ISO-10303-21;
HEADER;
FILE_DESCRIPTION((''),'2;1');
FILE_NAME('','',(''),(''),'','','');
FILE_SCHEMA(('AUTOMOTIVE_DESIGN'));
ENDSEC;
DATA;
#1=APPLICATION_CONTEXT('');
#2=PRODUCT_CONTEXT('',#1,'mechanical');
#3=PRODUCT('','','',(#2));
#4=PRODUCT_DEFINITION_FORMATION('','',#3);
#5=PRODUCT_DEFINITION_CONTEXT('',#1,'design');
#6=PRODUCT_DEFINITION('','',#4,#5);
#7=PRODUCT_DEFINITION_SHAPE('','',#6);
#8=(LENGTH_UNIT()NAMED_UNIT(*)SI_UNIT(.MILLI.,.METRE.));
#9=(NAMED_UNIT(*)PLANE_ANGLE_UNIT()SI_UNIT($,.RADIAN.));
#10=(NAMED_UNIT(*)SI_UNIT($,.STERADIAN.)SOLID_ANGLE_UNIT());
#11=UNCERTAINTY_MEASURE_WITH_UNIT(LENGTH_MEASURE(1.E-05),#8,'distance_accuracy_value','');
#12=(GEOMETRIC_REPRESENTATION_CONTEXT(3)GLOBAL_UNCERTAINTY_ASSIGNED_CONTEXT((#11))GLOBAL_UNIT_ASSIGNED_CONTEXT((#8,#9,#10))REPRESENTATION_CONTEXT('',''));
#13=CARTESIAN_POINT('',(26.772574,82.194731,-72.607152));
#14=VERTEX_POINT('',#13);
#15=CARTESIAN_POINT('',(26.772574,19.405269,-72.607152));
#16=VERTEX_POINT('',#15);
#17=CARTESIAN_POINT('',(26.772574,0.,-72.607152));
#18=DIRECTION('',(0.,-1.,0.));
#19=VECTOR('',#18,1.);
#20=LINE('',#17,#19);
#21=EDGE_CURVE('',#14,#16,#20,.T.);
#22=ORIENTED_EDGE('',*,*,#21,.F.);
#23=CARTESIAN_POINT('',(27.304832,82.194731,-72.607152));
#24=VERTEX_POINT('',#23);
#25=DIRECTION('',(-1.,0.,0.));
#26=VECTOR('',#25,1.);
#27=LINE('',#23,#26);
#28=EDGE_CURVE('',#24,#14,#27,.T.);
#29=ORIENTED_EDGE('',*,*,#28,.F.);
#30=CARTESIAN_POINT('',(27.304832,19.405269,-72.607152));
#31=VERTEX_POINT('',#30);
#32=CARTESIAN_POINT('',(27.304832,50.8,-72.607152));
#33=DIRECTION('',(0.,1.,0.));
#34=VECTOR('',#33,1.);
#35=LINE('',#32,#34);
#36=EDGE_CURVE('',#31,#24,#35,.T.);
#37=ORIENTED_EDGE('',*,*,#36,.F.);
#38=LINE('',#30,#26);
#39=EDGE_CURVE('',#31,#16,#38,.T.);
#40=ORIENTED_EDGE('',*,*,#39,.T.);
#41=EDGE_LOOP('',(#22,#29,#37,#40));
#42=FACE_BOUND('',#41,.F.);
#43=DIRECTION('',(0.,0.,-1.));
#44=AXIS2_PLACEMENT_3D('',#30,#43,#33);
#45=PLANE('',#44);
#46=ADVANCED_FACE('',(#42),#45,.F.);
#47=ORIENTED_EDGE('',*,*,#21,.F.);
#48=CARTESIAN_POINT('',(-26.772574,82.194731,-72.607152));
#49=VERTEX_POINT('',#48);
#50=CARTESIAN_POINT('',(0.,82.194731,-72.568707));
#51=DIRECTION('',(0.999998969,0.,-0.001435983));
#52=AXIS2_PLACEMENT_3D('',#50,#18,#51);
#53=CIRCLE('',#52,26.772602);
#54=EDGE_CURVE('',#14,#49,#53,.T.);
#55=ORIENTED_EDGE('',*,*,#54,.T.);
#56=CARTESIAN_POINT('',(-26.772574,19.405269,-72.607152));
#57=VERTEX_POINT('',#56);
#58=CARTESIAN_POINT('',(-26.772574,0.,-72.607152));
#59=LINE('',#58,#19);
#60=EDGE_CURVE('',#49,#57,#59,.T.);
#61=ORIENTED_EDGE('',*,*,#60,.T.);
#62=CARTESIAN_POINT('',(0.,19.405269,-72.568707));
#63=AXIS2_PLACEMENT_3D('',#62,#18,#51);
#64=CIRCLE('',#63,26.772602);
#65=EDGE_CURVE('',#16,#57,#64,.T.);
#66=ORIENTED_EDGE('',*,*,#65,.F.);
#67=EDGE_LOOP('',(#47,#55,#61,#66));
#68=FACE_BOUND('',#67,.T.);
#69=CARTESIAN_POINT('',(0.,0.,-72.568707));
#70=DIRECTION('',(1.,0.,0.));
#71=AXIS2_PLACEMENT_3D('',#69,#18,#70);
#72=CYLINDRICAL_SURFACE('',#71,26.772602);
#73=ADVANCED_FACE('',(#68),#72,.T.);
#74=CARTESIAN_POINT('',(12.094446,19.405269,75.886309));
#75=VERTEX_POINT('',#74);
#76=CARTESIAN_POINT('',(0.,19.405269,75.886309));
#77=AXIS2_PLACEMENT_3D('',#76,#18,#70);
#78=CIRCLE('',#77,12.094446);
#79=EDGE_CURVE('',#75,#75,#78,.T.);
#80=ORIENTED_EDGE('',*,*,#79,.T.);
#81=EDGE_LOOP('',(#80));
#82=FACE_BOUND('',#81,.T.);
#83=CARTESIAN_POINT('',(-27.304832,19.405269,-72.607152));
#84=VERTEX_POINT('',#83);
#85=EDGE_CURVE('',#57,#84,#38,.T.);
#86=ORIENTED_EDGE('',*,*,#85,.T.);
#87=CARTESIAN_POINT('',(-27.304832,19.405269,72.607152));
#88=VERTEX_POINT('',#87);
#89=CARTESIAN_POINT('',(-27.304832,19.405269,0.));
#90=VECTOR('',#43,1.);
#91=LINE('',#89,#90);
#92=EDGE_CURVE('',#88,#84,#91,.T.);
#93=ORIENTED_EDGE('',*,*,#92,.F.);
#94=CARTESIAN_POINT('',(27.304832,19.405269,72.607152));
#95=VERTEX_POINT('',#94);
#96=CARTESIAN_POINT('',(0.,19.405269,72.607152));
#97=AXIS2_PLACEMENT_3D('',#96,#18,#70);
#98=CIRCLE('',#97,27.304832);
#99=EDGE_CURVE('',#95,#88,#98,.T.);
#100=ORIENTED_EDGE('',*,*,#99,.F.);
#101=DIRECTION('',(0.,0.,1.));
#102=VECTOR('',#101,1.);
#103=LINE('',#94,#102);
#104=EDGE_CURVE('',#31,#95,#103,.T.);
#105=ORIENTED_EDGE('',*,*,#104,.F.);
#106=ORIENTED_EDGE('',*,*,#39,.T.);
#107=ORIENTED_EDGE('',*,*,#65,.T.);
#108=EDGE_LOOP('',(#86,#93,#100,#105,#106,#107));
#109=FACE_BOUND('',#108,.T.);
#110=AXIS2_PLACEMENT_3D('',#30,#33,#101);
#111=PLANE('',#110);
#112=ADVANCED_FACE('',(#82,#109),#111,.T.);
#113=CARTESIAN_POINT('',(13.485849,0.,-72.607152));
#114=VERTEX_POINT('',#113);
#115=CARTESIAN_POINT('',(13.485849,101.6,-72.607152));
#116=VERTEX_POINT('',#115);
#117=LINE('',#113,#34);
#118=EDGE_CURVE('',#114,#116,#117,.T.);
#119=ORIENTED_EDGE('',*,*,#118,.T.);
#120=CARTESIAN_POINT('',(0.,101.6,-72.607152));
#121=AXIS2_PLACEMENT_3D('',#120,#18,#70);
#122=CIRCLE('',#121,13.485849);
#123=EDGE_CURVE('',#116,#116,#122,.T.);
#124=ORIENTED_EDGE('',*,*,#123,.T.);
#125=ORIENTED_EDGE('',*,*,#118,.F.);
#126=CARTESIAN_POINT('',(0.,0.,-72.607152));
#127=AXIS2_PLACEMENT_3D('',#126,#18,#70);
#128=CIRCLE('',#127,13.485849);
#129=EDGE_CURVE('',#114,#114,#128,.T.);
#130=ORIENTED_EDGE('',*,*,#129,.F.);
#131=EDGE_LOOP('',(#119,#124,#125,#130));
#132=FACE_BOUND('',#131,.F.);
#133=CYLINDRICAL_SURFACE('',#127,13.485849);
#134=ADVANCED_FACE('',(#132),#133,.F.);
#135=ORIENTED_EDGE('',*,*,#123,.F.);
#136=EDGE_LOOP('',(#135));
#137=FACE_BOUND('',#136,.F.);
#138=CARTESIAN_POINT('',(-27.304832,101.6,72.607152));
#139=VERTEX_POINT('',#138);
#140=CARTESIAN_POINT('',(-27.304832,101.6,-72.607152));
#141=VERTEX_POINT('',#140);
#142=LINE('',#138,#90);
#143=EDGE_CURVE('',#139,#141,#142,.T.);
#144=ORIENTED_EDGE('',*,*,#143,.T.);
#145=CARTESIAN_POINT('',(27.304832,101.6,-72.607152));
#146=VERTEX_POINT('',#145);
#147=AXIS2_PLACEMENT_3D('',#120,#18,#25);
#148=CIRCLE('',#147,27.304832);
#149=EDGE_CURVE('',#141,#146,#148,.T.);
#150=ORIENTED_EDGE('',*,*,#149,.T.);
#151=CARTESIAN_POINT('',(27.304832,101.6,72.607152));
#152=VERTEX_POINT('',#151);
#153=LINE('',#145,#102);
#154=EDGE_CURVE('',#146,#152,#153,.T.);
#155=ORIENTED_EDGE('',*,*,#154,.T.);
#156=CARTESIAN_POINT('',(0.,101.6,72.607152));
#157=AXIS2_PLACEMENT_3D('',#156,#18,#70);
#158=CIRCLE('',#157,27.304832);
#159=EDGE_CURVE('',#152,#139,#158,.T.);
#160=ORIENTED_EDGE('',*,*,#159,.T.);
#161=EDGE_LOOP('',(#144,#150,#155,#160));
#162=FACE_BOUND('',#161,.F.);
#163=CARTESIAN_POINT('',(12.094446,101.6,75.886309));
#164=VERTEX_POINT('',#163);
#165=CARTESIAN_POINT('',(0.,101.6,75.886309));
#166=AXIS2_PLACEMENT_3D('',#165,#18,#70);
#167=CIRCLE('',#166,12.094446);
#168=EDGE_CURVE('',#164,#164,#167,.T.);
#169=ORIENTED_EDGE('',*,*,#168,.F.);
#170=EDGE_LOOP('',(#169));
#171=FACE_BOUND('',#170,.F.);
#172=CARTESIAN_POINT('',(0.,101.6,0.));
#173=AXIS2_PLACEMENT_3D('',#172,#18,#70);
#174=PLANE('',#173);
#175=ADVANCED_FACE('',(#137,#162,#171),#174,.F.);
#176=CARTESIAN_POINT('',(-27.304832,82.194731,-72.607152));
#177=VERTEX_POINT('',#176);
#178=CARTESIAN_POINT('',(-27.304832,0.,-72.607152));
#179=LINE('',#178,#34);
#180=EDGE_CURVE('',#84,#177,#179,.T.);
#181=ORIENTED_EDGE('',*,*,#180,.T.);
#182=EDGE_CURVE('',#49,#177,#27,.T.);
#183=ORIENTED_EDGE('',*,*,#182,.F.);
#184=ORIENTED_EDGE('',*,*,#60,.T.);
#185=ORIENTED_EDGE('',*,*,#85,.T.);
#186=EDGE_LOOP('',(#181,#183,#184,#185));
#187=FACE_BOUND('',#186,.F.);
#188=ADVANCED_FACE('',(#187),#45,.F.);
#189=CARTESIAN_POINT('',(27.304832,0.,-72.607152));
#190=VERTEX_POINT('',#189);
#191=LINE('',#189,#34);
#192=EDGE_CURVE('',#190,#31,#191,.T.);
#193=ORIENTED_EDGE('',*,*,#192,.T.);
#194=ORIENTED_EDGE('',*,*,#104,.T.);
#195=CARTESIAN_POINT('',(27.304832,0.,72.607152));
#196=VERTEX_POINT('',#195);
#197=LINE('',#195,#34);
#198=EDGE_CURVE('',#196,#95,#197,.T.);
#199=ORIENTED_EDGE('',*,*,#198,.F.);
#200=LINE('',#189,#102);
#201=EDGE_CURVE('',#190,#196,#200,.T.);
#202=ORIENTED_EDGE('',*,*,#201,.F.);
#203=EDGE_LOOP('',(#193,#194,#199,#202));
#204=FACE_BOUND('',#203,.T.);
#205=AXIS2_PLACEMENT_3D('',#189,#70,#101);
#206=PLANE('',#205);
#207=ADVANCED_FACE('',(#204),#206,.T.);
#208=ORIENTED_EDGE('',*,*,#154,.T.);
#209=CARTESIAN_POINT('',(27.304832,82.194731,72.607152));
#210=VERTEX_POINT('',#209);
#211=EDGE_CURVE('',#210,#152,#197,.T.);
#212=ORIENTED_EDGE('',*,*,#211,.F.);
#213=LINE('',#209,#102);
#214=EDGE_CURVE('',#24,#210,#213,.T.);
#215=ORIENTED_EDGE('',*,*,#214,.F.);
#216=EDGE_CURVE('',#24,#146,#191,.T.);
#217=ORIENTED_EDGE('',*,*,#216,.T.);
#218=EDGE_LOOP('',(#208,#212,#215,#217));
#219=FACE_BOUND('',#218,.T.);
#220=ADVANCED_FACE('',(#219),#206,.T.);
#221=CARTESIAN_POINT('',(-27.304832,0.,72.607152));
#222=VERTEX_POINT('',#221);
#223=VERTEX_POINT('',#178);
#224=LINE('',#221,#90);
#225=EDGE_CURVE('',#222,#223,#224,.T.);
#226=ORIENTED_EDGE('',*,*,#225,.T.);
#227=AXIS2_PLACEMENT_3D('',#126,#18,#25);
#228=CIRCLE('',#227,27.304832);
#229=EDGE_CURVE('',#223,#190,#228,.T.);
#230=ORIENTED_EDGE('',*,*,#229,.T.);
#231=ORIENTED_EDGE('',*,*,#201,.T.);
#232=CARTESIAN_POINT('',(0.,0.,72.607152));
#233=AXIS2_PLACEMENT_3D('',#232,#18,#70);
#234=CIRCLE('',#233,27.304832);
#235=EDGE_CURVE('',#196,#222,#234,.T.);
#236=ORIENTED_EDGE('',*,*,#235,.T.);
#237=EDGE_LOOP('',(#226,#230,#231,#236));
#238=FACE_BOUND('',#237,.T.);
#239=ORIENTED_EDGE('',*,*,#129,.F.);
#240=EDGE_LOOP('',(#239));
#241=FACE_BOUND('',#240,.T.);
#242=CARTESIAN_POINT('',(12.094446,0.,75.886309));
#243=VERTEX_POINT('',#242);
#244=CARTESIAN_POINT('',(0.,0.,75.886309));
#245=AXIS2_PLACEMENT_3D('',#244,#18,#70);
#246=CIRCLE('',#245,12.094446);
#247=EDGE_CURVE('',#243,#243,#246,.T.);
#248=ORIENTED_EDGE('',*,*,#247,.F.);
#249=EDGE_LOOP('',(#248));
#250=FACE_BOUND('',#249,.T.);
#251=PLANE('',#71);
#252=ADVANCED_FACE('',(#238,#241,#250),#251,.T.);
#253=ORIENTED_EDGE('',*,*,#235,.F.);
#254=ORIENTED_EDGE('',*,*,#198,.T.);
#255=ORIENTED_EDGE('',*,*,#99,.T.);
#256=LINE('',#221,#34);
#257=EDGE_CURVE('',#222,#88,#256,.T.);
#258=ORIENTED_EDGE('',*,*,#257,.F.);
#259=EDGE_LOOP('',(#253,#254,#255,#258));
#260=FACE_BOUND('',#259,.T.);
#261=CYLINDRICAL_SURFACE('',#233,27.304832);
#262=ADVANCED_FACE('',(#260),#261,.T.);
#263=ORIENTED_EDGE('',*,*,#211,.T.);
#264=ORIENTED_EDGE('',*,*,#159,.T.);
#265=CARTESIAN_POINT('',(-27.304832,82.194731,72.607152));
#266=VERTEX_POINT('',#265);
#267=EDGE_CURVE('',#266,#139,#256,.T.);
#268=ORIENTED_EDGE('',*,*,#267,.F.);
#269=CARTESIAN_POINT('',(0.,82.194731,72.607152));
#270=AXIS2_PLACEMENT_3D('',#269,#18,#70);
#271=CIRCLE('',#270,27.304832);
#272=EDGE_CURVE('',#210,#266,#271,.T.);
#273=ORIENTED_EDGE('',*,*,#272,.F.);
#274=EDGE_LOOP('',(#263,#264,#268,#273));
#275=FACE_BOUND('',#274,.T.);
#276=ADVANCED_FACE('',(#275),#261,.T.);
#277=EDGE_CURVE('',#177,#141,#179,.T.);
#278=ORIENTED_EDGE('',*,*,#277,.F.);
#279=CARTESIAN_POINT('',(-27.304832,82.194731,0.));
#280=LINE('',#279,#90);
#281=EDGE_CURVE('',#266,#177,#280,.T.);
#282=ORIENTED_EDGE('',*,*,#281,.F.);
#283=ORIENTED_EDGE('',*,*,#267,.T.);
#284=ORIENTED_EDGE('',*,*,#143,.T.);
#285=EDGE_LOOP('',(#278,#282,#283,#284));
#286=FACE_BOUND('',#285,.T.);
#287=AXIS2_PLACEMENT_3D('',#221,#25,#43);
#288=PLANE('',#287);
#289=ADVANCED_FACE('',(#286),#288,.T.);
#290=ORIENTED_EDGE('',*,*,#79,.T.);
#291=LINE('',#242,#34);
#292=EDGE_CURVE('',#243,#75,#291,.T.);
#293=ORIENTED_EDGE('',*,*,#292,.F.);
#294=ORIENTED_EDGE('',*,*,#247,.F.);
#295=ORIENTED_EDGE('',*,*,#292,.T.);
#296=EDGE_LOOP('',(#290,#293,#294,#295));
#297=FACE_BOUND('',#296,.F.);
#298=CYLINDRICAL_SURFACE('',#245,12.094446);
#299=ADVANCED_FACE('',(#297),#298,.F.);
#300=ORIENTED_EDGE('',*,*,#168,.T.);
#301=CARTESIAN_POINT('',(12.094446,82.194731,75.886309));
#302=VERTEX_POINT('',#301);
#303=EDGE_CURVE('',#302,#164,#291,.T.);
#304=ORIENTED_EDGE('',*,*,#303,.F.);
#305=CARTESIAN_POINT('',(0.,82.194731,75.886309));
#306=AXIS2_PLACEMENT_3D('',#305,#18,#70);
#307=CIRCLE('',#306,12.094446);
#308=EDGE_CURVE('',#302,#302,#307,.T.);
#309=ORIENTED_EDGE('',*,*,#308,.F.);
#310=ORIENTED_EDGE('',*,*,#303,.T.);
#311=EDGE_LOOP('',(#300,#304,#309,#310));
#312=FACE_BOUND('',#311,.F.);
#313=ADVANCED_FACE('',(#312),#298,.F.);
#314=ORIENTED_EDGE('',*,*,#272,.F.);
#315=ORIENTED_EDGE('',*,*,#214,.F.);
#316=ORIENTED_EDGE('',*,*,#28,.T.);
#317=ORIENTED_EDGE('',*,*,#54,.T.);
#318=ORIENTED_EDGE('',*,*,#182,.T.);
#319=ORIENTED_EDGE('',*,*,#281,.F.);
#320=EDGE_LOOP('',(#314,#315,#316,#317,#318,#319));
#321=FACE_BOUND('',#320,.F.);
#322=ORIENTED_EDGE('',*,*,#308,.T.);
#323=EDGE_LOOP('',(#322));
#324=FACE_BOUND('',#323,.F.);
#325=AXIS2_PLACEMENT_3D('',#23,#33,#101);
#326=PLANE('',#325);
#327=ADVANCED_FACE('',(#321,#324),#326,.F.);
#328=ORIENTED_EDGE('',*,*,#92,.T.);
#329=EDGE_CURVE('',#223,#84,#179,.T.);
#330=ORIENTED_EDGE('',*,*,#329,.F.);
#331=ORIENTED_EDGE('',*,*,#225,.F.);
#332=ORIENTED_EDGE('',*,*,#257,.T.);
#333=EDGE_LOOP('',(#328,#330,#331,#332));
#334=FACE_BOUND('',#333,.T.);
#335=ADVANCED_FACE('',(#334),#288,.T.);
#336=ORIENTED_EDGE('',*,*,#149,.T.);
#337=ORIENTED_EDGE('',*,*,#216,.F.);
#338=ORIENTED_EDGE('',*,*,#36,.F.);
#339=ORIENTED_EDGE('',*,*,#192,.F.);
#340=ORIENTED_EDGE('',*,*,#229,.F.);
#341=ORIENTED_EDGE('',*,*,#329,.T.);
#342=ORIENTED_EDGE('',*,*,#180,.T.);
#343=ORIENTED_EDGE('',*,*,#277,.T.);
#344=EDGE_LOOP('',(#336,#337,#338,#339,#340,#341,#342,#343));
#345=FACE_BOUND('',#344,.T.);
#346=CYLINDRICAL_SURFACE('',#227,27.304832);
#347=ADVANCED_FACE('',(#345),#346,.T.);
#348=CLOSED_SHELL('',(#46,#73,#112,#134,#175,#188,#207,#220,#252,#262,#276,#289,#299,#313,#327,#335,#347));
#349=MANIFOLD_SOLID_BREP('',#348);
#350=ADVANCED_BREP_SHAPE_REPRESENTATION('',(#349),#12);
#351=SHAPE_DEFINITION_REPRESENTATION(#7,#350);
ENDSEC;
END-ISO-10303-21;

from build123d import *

# Parameters (mm, degrees)
F1_DEPTH = 101.6
F2_W     = 62.789462
F2_H     = 290.428608
F3_DEPTH = 76.2
F4_R     = 26.772602
F5_DEPTH = 101.6
F6_R     = 12.094446
F6_R_2   = 13.485849
F7_DEPTH = 101.6


with BuildPart() as f1:
    # F0 (on Front) → F1 (new body)
    with BuildSketch(Plane.XZ):
        with BuildLine():
            Line((27.304832, -72.607152), (27.304832, 72.607152))
            ThreePointArc((27.304832, 72.607152), (0, 99.911984), (-27.304832, 72.607152))
            Line((-27.304832, 72.607152), (-27.304832, -72.607152))
            ThreePointArc((-27.304832, -72.607152), (0, -99.911984), (27.304832, -72.607152))
        make_face()
    extrude(amount=-F1_DEPTH)

    # F2 (on face) → F3 (cut)
    with BuildSketch(Plane.YZ.offset(27.304832)):
        with Locations((50.8, 72.607152)):
            Rectangle(F2_W, F2_H)
    extrude(amount=-F3_DEPTH, mode=Mode.SUBTRACT)

    # F4 (on Front) → F5 (join)
    with BuildSketch(Plane.XZ):
        with Locations((0, -72.568707)):
            Circle(F4_R)
    extrude(amount=-F5_DEPTH)

    # F6 (on face) → F7 (cut)
    with BuildSketch(Plane.XZ):
        with Locations((0, 75.886309)):
            Circle(F6_R)
        with Locations((0, -72.607152)):
            Circle(F6_R_2)
    extrude(amount=-F7_DEPTH, mode=Mode.SUBTRACT)


solid = f1.part
